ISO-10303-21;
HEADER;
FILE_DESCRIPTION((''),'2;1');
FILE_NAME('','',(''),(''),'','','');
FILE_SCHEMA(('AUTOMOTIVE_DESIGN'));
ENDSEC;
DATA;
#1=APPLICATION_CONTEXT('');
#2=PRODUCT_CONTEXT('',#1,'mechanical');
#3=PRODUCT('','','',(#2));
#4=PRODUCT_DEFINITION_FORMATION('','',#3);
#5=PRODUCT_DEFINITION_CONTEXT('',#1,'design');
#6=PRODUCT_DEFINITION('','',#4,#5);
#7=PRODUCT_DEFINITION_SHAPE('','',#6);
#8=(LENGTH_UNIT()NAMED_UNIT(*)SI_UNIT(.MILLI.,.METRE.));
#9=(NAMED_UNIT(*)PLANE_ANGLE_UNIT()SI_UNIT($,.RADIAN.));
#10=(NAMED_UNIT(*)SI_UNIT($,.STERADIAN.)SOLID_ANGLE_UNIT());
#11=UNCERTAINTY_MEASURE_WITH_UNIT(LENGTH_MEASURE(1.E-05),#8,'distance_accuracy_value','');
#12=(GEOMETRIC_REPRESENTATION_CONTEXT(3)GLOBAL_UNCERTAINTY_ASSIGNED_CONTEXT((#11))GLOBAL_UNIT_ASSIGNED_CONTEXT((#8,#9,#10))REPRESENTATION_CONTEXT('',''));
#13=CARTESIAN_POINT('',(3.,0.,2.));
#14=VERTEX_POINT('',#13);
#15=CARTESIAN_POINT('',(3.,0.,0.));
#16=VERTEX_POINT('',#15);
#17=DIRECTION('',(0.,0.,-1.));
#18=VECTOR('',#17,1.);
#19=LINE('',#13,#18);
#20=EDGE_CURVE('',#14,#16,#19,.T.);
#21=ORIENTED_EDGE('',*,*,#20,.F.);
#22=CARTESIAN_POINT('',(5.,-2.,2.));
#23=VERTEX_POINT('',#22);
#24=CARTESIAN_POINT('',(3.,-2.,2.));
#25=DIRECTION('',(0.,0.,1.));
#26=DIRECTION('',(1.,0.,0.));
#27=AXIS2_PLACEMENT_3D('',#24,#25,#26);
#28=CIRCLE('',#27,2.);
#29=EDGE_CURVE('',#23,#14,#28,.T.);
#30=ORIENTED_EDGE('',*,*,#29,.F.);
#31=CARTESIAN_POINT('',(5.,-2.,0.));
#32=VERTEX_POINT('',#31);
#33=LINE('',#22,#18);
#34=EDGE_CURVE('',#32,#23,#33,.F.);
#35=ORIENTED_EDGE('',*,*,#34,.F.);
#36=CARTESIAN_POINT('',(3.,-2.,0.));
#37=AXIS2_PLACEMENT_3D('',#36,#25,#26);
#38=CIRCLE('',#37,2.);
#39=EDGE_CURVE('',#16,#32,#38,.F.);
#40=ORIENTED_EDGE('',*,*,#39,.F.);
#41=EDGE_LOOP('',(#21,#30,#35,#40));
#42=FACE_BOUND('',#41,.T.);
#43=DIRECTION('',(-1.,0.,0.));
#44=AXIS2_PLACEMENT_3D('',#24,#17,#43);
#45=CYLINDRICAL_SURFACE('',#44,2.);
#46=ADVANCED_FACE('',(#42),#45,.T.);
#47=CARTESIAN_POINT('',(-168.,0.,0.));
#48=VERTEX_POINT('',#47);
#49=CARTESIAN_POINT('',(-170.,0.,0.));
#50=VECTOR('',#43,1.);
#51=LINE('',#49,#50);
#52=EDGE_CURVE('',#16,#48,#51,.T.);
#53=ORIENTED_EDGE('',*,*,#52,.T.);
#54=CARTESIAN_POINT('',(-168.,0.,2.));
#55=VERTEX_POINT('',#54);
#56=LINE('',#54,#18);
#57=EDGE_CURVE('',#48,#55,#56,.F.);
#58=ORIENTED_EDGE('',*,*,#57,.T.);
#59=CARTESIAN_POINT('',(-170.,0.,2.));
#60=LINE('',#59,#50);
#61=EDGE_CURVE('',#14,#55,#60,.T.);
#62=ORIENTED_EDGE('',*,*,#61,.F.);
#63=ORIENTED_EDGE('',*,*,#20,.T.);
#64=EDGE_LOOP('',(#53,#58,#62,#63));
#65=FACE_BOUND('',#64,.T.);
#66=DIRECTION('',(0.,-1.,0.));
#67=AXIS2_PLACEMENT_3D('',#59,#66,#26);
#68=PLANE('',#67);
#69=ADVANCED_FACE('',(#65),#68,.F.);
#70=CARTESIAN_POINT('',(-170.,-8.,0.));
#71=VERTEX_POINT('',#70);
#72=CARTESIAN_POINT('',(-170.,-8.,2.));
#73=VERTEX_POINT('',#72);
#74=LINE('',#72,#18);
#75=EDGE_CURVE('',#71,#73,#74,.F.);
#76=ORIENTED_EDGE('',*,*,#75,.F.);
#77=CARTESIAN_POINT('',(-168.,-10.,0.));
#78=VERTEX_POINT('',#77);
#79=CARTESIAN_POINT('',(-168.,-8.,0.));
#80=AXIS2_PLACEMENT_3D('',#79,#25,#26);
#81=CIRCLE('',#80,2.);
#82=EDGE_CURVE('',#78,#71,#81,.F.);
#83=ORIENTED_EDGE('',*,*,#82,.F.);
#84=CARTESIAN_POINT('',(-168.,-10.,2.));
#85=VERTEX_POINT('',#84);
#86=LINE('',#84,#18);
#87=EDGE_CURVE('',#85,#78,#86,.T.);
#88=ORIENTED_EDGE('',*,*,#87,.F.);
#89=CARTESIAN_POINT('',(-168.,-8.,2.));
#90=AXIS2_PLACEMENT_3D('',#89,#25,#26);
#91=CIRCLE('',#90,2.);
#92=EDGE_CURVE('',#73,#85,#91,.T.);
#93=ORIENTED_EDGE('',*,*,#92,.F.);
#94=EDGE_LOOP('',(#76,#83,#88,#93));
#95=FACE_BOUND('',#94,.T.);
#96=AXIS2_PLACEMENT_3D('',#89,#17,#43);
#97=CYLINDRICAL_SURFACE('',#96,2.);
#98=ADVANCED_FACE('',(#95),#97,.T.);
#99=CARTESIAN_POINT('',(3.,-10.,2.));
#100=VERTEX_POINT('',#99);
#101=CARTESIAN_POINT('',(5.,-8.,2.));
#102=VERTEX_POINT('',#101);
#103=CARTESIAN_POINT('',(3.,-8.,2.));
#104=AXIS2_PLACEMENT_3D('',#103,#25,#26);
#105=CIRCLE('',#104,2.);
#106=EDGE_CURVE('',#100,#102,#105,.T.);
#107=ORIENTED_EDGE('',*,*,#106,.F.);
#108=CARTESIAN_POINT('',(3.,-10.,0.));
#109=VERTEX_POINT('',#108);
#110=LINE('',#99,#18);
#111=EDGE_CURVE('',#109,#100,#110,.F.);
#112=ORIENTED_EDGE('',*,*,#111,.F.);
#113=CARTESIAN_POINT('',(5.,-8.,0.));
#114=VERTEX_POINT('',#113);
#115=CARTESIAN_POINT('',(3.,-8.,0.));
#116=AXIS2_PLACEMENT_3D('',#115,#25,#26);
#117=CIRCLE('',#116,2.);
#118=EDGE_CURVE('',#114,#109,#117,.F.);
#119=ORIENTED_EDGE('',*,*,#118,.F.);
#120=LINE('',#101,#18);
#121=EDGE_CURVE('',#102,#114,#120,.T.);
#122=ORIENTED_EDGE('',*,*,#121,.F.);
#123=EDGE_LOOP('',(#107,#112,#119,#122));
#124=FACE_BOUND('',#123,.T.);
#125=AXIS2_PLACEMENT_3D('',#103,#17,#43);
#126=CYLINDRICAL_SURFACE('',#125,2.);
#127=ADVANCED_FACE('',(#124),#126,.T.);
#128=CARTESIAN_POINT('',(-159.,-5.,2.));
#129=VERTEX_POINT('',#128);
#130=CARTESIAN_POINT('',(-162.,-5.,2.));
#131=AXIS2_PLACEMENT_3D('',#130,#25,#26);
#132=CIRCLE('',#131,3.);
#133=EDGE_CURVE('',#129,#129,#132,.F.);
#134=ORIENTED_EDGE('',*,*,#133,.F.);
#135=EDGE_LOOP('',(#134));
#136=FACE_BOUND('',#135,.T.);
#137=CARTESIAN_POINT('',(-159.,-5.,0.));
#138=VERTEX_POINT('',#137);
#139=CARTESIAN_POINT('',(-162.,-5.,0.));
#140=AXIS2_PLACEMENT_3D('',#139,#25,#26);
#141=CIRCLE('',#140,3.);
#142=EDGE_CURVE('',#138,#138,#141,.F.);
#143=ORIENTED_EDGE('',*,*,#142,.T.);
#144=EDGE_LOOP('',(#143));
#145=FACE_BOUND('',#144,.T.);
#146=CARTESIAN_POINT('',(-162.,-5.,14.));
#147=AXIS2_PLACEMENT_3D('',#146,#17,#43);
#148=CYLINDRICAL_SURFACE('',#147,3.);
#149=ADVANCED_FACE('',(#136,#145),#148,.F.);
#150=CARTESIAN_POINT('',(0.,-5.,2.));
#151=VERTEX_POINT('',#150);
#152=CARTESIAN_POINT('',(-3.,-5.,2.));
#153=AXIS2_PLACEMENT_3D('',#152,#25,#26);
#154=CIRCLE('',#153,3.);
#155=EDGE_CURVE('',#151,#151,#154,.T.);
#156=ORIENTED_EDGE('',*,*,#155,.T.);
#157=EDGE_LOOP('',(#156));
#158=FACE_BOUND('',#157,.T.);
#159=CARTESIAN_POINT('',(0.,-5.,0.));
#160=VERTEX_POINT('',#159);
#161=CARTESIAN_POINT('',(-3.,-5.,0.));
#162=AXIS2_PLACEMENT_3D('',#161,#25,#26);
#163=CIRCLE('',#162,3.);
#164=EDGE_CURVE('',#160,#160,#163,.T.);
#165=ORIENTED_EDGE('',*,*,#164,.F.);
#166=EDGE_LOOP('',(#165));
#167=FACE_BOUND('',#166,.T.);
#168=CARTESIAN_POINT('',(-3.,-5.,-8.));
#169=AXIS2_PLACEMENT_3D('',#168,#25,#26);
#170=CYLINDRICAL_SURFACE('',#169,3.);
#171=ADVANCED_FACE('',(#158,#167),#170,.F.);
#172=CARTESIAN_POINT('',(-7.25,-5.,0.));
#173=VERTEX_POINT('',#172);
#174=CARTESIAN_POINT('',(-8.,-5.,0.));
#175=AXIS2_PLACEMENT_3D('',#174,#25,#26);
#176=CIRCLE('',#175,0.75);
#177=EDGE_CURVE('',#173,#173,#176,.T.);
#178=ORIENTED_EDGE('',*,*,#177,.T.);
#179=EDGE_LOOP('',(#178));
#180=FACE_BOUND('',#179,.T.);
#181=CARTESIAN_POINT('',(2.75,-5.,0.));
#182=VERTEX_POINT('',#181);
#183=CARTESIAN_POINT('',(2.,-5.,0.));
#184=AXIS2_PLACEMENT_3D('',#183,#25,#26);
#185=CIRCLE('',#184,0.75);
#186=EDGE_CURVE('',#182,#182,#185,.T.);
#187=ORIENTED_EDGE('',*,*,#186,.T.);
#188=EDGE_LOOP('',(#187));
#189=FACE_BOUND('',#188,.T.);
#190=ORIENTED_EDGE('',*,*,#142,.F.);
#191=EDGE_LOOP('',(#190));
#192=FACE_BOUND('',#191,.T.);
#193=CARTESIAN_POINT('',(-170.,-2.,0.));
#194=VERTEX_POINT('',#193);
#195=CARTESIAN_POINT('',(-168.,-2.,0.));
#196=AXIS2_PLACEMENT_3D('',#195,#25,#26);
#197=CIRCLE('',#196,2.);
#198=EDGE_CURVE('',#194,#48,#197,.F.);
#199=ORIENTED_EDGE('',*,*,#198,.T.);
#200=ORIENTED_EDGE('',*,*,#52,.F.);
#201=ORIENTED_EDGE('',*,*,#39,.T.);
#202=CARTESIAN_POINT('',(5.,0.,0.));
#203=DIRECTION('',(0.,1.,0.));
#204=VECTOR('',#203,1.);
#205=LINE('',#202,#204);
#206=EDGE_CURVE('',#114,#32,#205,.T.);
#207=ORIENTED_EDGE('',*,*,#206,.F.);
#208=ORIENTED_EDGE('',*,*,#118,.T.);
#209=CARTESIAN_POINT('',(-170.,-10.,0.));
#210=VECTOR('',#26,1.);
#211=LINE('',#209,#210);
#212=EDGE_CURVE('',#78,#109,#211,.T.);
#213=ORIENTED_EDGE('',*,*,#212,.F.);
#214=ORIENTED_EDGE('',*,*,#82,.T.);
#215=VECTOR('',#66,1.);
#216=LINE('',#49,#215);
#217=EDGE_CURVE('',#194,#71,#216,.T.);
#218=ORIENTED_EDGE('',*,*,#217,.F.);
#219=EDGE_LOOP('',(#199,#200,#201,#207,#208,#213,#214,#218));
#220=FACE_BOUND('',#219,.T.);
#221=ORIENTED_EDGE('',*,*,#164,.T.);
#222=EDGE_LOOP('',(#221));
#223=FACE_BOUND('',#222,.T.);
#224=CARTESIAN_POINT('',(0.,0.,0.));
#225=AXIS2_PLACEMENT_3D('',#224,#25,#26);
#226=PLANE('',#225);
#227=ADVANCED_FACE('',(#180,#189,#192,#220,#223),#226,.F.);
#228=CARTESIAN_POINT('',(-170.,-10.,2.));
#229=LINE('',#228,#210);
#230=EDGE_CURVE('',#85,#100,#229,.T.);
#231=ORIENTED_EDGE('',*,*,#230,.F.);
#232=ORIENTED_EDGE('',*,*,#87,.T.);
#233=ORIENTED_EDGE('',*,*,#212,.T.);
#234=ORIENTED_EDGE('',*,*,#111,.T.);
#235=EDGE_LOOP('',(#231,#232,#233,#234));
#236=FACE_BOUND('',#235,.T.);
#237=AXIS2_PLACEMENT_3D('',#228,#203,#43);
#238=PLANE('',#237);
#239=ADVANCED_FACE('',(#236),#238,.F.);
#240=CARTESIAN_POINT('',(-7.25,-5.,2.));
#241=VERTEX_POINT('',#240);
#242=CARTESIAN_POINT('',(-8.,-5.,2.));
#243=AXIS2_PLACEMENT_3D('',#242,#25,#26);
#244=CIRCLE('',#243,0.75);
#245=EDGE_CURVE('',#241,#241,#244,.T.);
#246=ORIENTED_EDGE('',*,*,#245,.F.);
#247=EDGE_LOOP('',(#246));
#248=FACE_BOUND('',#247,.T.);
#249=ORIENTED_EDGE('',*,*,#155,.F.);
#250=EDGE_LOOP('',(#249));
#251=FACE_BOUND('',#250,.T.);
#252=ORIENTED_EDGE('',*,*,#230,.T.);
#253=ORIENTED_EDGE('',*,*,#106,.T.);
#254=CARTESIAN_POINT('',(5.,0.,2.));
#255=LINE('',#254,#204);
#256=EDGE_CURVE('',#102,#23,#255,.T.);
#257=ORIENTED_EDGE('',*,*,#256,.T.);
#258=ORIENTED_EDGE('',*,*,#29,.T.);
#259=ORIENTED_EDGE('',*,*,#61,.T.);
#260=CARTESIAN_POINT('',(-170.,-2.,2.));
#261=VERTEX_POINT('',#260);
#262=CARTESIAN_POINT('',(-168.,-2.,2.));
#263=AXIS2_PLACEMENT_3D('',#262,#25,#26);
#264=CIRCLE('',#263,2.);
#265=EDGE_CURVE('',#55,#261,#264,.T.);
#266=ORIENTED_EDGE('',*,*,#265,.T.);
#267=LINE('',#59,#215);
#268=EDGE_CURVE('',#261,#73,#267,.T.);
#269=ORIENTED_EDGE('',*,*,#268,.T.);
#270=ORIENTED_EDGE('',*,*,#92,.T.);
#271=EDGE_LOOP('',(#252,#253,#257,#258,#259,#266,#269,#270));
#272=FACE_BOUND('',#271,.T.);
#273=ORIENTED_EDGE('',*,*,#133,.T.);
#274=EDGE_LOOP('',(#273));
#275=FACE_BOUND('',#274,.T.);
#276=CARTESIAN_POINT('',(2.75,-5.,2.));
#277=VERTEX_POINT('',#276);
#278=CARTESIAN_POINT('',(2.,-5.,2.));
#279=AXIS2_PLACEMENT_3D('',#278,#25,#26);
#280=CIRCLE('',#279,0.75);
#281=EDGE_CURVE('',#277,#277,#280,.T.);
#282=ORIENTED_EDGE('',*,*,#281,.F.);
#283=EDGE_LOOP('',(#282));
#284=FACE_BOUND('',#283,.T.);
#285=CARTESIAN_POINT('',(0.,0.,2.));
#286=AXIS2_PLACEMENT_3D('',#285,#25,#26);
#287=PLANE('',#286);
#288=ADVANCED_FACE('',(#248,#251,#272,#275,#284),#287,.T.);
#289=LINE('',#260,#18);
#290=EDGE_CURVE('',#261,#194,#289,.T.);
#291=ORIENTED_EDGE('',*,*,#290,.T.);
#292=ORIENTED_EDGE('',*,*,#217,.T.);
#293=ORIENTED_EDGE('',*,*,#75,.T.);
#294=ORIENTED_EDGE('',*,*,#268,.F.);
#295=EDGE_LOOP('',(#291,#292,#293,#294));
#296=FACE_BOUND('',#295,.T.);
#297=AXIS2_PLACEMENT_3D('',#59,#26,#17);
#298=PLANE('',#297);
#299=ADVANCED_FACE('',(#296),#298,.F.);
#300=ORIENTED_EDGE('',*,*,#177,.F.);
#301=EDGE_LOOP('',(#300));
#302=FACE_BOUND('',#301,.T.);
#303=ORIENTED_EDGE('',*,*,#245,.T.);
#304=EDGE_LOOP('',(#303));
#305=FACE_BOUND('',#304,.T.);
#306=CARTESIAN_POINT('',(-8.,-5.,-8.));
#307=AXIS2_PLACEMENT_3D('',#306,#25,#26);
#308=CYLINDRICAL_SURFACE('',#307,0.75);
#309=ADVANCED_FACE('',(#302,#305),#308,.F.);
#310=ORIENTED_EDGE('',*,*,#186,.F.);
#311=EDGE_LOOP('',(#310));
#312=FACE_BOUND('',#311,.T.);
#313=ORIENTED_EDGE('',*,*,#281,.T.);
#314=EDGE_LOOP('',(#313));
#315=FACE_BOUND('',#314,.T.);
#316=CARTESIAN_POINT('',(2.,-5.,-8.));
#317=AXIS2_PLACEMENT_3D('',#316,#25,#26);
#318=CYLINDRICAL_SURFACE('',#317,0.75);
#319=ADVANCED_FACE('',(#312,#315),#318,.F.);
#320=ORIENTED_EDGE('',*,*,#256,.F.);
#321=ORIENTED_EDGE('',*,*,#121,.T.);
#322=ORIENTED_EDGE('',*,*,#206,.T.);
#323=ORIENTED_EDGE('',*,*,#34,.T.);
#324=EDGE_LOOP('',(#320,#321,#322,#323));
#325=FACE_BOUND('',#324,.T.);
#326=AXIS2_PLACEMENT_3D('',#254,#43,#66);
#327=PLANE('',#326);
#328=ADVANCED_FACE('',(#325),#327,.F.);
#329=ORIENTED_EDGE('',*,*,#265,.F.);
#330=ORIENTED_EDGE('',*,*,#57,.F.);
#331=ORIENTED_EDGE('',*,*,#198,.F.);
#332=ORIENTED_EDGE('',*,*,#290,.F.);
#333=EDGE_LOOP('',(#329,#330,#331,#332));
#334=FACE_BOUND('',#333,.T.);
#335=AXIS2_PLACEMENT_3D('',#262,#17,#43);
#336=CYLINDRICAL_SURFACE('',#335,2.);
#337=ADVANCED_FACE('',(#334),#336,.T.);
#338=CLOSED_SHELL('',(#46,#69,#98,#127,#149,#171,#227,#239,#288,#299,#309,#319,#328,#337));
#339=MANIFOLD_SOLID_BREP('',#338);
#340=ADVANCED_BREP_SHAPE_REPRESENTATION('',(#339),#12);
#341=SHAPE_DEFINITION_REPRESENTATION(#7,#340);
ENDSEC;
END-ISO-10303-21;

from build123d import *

# Parameters (mm, degrees)
SKETCH_1_W               = 175
SKETCH_1_H               = 10
EXTRUDE_1_DEPTH          = 2
CUT_EXTRUDE_1_DEPTH      = 12
CUT_EXTRUDE_1_DEPTH_BACK = 15
SKETCH_2_R               = 3
SKETCH_3_R               = 3
SKETCH_3_R_2             = 0.75
CUT_EXTRUDE_2_DEPTH      = 10
FILLET_1_R               = 2


with BuildPart() as part:
    # 草图1 → 凸台-拉伸1 (new body)
    with BuildSketch(Plane.XY):
        with Locations((-82.5, -5)):
            Rectangle(SKETCH_1_W, SKETCH_1_H)
    extrude(amount=EXTRUDE_1_DEPTH)

    # 草图2 → 切除-拉伸1 (cut, two sides: drawn at the far end of the back side and taken through both)
    with BuildSketch(Plane.XY.offset(2).offset(-CUT_EXTRUDE_1_DEPTH_BACK)):
        with Locations((-162, -5)):
            Circle(SKETCH_2_R)
    extrude(amount=CUT_EXTRUDE_1_DEPTH + CUT_EXTRUDE_1_DEPTH_BACK, mode=Mode.SUBTRACT)

    # 草图3 → 切除-拉伸2 (cut)
    with BuildSketch(Plane.XY.offset(2)):
        with Locations((-3, -5)):
            Circle(SKETCH_3_R)
        with Locations((-8, -5)):
            Circle(SKETCH_3_R_2)
        with Locations((2, -5)):
            Circle(SKETCH_3_R_2)
    extrude(amount=-CUT_EXTRUDE_2_DEPTH, mode=Mode.SUBTRACT)

    # 圆角1
    fillet_1_edges = [part.edges().sort_by_distance(p)[0] for p in [
        (-170, 0, 1),
        (5, 0, 1),
        (5, -10, 1),
        (-170, -10, 1),
    ]]
    fillet(fillet_1_edges, radius=FILLET_1_R)


solid = part.part
